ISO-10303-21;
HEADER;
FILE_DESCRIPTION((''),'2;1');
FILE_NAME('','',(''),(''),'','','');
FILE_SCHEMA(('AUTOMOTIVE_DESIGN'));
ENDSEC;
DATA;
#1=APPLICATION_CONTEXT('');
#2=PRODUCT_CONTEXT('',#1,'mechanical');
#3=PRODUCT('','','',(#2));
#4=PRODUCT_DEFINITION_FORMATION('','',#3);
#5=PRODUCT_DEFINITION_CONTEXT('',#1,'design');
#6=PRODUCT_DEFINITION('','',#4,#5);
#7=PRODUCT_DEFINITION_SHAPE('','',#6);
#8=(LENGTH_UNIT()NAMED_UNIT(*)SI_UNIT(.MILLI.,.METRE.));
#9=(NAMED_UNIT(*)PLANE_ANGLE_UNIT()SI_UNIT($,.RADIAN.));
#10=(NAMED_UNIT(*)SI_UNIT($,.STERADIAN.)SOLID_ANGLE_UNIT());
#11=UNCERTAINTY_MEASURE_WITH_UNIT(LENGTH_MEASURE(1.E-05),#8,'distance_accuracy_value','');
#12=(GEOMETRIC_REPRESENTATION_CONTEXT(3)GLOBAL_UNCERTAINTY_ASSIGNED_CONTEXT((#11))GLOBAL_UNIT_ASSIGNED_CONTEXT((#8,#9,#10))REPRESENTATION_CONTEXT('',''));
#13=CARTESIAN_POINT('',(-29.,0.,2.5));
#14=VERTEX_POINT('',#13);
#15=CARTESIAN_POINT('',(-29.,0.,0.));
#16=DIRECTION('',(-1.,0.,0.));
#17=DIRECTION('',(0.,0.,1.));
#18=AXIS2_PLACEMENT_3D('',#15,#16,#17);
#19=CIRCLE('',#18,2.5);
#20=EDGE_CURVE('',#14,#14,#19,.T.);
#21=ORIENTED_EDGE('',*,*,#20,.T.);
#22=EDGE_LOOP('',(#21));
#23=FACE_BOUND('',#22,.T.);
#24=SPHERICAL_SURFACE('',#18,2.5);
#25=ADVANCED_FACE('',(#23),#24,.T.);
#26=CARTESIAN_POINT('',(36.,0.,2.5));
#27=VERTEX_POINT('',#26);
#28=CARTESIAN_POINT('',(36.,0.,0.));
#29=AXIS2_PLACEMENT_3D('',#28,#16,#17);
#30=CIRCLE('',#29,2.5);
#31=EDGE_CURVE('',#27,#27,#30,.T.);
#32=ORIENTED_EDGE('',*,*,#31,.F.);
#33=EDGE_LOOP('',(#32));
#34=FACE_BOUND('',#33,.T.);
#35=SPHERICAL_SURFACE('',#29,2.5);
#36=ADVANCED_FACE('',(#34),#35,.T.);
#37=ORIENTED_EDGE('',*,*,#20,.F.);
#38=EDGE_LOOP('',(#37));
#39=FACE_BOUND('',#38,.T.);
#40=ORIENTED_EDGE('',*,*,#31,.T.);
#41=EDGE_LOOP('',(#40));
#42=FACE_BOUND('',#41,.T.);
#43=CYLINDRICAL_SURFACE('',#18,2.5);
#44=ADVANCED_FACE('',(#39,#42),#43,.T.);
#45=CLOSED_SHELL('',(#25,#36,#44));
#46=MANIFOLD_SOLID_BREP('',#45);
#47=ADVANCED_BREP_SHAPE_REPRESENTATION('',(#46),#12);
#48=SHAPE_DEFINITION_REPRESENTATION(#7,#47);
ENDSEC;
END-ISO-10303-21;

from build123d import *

# Parameters (mm, degrees)
SKETCH_2_W         = 65
SKETCH_2_H         = 2.5
DOME_3_FACE_RADIUS = 2.5
DOME_3_HEIGHT      = 2.5
DOME_4_FACE_RADIUS = 2.5
DOME_4_HEIGHT      = 2.5


with BuildPart() as part:
    # 草圖2 → 旋轉2 (revolve)
    with BuildSketch(Plane.XY):
        with Locations((3.5, 1.25)):
            Rectangle(SKETCH_2_W, SKETCH_2_H)
    revolve(axis=Axis((-29, 0, 0), (1, 0, 0)))

    # 圓頂3: a dome of height H over a round flat face of radius A is a cap of a sphere of radius (A * A + H * H) / (2 * H)
    dome_3_r = (DOME_3_FACE_RADIUS * DOME_3_FACE_RADIUS + DOME_3_HEIGHT * DOME_3_HEIGHT) / (2 * DOME_3_HEIGHT)
    dome_3_base = Plane((36, 0, 0), z_dir=(1, 0, 0))
    with Locations(dome_3_base.offset(DOME_3_HEIGHT - dome_3_r)):
        dome_3_ball = Sphere(dome_3_r, mode=Mode.PRIVATE)
    add(split(dome_3_ball, bisect_by=dome_3_base, keep=Keep.TOP, mode=Mode.PRIVATE))

    # 圓頂4: a dome of height H over a round flat face of radius A is a cap of a sphere of radius (A * A + H * H) / (2 * H)
    dome_4_r = (DOME_4_FACE_RADIUS * DOME_4_FACE_RADIUS + DOME_4_HEIGHT * DOME_4_HEIGHT) / (2 * DOME_4_HEIGHT)
    dome_4_base = Plane((-29, 0, 0), z_dir=(-1, 0, 0))
    with Locations(dome_4_base.offset(DOME_4_HEIGHT - dome_4_r)):
        dome_4_ball = Sphere(dome_4_r, mode=Mode.PRIVATE)
    add(split(dome_4_ball, bisect_by=dome_4_base, keep=Keep.TOP, mode=Mode.PRIVATE))


solid = part.part
